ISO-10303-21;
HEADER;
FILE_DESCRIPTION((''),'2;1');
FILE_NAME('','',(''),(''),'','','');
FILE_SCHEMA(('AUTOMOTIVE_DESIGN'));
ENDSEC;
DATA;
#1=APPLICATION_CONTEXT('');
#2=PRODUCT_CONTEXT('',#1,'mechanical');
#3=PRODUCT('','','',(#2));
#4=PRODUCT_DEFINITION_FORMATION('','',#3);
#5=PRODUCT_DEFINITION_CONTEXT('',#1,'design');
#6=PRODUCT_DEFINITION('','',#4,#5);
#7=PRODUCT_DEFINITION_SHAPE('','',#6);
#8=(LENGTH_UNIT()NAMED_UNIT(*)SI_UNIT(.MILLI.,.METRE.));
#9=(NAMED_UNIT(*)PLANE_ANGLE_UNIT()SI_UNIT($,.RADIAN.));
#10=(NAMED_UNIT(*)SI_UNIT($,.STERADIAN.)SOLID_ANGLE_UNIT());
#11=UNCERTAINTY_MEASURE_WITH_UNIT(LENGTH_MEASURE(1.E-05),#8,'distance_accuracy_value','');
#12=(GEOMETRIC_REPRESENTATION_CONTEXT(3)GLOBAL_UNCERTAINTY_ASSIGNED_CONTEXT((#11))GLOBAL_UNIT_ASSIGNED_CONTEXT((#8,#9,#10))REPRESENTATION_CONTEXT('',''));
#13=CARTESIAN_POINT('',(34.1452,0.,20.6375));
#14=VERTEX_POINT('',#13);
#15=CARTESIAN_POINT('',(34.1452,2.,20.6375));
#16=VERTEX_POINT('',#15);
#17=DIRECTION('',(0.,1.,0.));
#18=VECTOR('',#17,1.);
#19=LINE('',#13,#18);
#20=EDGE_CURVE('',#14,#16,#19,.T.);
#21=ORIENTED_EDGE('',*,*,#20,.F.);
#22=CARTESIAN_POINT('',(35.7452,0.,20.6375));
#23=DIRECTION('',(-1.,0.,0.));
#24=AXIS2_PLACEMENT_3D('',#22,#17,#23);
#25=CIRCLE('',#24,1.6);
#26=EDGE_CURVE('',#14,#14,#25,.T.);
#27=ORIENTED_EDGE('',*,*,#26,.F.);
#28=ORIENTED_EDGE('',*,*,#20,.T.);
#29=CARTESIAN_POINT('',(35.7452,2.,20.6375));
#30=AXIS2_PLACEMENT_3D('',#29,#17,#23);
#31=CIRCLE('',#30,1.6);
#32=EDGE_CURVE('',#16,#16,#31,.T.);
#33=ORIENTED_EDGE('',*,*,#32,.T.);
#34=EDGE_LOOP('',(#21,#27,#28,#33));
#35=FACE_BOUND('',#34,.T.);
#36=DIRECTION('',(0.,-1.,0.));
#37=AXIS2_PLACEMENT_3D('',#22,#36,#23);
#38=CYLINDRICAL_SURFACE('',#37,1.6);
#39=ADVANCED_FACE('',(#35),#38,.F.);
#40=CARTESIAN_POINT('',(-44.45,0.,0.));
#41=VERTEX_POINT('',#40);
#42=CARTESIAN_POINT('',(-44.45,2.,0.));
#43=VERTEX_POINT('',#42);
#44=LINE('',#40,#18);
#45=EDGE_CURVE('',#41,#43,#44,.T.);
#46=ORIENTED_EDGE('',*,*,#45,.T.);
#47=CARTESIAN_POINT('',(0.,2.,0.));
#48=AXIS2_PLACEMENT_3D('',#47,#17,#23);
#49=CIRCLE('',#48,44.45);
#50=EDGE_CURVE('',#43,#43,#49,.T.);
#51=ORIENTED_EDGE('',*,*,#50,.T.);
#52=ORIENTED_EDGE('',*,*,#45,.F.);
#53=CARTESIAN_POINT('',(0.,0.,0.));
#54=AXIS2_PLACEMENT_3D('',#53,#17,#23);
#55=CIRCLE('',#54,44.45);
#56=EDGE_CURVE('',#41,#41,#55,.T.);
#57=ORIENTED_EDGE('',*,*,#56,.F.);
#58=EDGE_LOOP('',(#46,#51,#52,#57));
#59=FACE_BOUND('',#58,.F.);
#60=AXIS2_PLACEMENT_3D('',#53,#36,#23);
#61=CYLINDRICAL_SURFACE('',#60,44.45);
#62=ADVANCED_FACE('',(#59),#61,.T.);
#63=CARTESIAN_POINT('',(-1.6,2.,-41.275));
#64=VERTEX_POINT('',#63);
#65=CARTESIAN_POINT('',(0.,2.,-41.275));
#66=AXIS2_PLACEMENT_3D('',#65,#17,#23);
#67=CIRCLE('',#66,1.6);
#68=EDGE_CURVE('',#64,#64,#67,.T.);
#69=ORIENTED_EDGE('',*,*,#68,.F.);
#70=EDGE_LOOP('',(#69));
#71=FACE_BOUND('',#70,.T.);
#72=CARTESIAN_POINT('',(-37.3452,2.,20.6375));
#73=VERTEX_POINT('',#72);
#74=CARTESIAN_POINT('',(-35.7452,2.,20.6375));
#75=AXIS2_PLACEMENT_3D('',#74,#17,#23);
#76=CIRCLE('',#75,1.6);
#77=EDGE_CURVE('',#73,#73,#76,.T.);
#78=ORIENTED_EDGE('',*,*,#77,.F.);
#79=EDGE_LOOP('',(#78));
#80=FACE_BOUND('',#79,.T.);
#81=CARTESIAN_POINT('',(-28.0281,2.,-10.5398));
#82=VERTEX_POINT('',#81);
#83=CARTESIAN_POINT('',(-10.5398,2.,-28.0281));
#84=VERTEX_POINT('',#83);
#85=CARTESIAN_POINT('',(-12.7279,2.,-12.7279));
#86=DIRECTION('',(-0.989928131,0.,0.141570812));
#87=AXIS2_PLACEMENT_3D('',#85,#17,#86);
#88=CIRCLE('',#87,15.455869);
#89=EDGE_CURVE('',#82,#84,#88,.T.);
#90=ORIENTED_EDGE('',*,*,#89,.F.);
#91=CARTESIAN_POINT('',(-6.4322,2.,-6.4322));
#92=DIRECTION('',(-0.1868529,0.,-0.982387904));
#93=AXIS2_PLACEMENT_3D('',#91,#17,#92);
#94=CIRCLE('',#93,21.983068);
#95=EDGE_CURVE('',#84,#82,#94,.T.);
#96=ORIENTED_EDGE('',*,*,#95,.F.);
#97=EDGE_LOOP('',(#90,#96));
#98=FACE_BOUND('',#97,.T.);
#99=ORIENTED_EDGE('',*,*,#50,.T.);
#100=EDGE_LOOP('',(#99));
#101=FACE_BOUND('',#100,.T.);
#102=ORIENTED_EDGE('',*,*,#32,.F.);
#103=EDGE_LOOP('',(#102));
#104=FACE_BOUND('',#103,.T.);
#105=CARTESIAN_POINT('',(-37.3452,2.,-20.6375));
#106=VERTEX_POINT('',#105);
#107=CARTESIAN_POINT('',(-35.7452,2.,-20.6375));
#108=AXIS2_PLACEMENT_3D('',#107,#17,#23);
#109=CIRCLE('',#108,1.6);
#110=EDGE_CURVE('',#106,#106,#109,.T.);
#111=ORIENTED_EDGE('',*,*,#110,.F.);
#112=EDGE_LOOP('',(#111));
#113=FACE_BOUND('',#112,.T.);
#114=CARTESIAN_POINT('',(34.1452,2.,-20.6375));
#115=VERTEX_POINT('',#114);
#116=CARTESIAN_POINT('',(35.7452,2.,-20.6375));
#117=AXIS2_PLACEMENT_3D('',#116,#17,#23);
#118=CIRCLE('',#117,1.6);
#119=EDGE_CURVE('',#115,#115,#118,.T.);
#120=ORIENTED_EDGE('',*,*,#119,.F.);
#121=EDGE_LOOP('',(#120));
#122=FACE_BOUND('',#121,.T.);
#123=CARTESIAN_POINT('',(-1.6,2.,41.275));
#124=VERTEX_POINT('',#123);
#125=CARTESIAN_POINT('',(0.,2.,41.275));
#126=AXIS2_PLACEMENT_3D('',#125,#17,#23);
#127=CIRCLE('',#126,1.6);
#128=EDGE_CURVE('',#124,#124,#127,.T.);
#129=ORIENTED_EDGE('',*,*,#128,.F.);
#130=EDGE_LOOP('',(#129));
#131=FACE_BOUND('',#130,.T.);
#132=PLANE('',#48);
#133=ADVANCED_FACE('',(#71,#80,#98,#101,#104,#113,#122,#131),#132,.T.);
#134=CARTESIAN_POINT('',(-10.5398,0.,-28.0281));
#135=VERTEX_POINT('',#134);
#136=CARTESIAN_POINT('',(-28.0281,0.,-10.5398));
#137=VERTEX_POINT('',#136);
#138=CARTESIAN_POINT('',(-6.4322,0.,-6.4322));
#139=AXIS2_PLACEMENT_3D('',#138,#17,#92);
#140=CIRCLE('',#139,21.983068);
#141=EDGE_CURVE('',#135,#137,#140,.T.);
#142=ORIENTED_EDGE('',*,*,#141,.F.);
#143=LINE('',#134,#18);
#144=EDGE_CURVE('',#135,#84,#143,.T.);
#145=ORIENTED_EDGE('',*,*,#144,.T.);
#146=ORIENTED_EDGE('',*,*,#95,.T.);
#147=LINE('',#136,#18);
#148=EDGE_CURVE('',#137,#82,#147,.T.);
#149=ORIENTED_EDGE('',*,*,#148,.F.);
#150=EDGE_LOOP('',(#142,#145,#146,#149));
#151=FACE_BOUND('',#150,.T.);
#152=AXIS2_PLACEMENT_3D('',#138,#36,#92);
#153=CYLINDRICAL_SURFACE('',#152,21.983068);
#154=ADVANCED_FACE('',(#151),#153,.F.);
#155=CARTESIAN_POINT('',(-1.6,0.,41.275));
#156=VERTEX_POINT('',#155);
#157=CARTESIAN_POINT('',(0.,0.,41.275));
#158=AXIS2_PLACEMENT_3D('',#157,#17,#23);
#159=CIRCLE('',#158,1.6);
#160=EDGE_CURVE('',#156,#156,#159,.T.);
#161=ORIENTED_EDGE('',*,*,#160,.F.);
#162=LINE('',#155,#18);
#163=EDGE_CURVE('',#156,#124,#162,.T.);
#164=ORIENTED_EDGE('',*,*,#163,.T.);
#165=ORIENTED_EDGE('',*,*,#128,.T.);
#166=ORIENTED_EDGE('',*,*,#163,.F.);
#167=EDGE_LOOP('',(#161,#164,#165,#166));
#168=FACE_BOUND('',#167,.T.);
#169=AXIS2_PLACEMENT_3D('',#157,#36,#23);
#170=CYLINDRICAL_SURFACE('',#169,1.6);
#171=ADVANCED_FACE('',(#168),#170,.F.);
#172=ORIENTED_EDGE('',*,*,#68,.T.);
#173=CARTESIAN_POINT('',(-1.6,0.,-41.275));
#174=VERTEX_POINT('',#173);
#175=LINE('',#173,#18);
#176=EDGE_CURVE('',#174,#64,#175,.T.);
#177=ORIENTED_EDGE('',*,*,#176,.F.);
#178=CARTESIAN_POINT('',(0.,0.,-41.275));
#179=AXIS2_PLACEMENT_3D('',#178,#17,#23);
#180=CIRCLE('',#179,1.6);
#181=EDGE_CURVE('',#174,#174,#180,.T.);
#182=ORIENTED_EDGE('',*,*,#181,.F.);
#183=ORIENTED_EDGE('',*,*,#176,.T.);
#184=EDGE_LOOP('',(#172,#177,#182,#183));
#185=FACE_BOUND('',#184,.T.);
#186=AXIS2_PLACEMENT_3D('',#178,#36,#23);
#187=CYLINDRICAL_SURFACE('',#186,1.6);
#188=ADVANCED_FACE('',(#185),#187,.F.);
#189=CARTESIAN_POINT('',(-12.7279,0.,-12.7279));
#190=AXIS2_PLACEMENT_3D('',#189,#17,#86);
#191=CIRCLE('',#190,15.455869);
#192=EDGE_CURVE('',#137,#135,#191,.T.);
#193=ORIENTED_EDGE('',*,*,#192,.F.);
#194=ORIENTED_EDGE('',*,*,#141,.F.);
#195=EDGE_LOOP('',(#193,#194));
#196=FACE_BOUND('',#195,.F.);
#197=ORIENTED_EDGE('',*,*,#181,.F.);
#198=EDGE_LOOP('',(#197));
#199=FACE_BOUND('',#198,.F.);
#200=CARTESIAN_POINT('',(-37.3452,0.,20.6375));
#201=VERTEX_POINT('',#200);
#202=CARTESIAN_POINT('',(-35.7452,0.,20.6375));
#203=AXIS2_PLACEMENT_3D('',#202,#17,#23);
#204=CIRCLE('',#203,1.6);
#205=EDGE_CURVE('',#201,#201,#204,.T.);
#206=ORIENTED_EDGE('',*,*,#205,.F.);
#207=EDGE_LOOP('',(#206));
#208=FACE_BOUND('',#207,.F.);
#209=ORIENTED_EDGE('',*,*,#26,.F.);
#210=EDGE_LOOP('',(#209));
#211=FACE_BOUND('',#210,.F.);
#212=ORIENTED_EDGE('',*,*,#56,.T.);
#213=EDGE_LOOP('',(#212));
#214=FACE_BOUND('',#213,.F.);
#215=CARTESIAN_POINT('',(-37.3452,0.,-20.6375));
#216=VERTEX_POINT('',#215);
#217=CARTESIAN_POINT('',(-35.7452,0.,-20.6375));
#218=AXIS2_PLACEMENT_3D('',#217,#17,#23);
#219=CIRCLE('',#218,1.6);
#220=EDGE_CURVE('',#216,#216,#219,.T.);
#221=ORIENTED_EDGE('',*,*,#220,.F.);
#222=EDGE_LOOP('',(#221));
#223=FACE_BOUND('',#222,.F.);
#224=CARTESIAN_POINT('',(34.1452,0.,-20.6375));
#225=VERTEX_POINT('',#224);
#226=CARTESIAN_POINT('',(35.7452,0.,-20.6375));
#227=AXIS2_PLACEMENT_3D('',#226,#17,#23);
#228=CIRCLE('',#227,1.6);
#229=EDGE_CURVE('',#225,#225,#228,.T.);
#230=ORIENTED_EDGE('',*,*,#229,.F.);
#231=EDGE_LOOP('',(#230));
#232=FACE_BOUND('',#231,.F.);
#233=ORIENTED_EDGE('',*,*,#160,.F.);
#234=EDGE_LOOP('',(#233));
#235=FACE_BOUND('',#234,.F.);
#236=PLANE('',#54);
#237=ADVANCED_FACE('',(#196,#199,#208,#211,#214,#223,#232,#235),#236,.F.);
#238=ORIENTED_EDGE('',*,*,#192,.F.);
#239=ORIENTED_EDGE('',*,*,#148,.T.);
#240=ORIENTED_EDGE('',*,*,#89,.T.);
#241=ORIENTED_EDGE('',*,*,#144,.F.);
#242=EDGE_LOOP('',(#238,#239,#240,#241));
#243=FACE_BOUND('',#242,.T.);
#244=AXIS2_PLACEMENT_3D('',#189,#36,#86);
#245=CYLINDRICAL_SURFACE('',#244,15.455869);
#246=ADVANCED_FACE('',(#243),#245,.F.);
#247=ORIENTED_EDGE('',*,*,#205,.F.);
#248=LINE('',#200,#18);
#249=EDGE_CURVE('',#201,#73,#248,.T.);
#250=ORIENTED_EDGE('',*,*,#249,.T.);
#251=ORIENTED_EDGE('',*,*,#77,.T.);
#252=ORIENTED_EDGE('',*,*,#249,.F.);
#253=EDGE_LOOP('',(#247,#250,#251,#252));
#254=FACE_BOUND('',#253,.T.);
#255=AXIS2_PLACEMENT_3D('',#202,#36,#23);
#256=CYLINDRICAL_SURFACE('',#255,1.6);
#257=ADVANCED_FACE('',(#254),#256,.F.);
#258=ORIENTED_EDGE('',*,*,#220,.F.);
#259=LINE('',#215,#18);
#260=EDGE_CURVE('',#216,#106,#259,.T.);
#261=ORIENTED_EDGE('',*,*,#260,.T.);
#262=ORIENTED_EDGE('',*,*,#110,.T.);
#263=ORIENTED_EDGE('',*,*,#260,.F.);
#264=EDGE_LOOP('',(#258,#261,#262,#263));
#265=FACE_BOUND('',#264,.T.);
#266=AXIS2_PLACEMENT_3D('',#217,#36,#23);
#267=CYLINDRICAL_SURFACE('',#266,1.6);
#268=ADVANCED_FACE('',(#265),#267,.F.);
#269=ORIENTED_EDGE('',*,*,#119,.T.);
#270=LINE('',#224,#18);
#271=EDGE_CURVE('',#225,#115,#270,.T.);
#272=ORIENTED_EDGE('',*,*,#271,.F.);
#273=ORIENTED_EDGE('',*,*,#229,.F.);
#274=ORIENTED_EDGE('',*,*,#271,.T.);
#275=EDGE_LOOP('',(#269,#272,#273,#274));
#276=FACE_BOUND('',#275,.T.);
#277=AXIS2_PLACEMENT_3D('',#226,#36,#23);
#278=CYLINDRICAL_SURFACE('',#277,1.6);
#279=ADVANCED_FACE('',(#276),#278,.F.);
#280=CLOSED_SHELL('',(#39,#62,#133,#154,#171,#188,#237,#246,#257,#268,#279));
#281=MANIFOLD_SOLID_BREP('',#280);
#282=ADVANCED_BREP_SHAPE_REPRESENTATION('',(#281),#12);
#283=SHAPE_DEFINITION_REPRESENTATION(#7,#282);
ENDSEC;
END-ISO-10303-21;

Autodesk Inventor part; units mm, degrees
ref_plane "YZ Plane" through (0, 0, 0) normal (1, 0, 0) x (0, 1, 0)
ref_plane "XZ Plane" through (0, 0, 0) normal (0, 1, 0) x (-1, 0, 0)
ref_plane "XY Plane" through (0, 0, 0) normal (0, 0, 1) x (1, 0, 0)
sketch "Sketch1" plane through (0, 0, 0) normal (0, 1, 0) x (-1, 0, 0)
  circle A0 centre (0, 0) radius 44.45
  circle A1 centre (0, -41.275) radius 1.6
  circle A2 centre (35.7452, -20.6375) radius 1.6
  circle A3 centre (-35.7452, -20.6375) radius 1.6
  circle A4 centre (0, 41.275) radius 1.6
  circle A5 centre (35.7452, 20.6375) radius 1.6
  circle A6 centre (-35.7452, 20.6375) radius 1.6
  arc A7 (28.0281, -10.5398) -> (10.5398, -28.0281) centre (12.7279, -12.7279) ccw
  arc A8 (10.5398, -28.0281) -> (28.0281, -10.5398) centre (6.4322, -6.4322) ccw
extrude "Extrusion1" add sketch "Sketch1" along normal blind 2
properties part number "Dremel_Jig_Internall"
